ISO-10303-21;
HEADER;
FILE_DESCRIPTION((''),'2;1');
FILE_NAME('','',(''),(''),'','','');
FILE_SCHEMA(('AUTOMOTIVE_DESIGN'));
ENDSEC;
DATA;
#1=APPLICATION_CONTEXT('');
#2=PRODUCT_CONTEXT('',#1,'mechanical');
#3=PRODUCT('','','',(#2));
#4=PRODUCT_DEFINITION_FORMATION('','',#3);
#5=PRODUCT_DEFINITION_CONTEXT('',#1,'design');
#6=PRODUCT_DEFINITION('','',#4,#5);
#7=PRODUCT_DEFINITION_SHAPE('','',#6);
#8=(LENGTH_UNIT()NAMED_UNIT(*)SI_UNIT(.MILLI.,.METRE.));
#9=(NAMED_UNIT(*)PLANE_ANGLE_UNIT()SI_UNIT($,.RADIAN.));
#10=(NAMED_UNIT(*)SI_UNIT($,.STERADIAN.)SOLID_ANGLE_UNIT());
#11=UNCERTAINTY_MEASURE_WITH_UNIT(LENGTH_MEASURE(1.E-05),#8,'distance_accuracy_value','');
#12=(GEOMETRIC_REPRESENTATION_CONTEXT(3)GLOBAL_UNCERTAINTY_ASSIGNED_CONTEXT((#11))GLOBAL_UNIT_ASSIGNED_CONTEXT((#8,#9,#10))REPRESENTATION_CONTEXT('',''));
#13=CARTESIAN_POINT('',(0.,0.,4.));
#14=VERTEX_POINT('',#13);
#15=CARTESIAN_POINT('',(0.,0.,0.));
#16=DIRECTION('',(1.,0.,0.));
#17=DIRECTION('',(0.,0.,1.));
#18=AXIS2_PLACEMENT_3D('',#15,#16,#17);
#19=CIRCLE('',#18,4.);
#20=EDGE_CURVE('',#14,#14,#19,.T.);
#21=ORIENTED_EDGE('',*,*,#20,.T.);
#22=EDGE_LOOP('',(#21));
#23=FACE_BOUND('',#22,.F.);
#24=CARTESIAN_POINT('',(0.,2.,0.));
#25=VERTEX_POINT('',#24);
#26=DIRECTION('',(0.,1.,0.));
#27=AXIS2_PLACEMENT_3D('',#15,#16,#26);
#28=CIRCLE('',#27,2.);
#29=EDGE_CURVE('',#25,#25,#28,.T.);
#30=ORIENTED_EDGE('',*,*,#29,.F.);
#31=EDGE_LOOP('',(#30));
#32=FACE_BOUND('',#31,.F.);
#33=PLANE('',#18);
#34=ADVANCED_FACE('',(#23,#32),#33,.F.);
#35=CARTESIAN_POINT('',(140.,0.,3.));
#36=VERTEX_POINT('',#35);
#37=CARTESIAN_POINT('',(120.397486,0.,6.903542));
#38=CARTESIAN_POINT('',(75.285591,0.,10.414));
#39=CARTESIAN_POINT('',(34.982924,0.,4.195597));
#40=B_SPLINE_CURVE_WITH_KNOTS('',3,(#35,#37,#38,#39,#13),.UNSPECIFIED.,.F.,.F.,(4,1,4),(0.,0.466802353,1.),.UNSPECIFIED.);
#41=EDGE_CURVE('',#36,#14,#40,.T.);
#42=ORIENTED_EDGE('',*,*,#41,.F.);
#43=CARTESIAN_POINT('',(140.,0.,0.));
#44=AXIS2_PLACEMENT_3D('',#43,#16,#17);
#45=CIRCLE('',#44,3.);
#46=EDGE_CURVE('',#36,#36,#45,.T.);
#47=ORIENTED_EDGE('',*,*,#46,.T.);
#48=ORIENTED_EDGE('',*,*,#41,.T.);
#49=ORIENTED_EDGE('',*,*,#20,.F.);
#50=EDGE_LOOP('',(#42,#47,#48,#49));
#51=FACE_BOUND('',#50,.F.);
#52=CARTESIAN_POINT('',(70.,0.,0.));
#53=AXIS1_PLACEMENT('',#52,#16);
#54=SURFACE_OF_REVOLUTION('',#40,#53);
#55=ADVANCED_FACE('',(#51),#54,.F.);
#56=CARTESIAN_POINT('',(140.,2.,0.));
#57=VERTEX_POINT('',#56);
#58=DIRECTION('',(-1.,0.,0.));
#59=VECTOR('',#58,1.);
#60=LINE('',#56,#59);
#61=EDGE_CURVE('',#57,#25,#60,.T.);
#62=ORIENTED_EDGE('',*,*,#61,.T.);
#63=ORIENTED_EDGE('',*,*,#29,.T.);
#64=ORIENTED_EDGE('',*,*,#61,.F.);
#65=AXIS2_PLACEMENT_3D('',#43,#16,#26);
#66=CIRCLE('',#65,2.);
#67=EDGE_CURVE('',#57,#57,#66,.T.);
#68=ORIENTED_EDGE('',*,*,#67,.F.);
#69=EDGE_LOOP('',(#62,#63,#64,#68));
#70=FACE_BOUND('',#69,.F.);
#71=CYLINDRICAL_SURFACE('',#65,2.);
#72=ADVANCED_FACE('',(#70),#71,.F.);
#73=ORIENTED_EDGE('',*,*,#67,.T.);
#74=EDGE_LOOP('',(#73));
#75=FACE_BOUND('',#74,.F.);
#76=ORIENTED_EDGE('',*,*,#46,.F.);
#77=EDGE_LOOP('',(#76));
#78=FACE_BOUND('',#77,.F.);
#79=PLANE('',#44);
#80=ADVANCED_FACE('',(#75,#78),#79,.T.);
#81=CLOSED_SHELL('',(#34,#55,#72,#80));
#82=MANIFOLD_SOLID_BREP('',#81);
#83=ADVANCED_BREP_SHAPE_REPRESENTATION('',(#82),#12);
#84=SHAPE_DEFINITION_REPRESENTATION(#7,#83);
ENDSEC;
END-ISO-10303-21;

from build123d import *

# Parameters (mm, degrees)
F2_R     = 2
F3_DEPTH = 140.0010001


with BuildPart() as f1:
    # F0 (on Front) → F1 (revolve)
    with BuildSketch(Plane.XZ):
        with BuildLine():
            Line((0, 4), (0, 0))
            Line((0, 0), (140, 0))
            Line((140, 0), (140, 3))
            add(Edge.make_bspline(
                [(140, 3), (120.3974857894, 6.9035421815), (75.2855906676, 10.4139998986), (34.9829244907, 4.1955968449), (0, 4)],
                knots=[0, 0, 0, 0, 0.4668023533, 1, 1, 1, 1], degree=3))
        make_face()
    revolve(axis=Axis((70, 0, 0), (1, 0, 0)))

    # F2 (on face) → F3 (cut, through all)
    with BuildSketch(Plane.YZ.offset(140)):
        Circle(F2_R)
    extrude(amount=-F3_DEPTH, mode=Mode.SUBTRACT)


solid = f1.part
